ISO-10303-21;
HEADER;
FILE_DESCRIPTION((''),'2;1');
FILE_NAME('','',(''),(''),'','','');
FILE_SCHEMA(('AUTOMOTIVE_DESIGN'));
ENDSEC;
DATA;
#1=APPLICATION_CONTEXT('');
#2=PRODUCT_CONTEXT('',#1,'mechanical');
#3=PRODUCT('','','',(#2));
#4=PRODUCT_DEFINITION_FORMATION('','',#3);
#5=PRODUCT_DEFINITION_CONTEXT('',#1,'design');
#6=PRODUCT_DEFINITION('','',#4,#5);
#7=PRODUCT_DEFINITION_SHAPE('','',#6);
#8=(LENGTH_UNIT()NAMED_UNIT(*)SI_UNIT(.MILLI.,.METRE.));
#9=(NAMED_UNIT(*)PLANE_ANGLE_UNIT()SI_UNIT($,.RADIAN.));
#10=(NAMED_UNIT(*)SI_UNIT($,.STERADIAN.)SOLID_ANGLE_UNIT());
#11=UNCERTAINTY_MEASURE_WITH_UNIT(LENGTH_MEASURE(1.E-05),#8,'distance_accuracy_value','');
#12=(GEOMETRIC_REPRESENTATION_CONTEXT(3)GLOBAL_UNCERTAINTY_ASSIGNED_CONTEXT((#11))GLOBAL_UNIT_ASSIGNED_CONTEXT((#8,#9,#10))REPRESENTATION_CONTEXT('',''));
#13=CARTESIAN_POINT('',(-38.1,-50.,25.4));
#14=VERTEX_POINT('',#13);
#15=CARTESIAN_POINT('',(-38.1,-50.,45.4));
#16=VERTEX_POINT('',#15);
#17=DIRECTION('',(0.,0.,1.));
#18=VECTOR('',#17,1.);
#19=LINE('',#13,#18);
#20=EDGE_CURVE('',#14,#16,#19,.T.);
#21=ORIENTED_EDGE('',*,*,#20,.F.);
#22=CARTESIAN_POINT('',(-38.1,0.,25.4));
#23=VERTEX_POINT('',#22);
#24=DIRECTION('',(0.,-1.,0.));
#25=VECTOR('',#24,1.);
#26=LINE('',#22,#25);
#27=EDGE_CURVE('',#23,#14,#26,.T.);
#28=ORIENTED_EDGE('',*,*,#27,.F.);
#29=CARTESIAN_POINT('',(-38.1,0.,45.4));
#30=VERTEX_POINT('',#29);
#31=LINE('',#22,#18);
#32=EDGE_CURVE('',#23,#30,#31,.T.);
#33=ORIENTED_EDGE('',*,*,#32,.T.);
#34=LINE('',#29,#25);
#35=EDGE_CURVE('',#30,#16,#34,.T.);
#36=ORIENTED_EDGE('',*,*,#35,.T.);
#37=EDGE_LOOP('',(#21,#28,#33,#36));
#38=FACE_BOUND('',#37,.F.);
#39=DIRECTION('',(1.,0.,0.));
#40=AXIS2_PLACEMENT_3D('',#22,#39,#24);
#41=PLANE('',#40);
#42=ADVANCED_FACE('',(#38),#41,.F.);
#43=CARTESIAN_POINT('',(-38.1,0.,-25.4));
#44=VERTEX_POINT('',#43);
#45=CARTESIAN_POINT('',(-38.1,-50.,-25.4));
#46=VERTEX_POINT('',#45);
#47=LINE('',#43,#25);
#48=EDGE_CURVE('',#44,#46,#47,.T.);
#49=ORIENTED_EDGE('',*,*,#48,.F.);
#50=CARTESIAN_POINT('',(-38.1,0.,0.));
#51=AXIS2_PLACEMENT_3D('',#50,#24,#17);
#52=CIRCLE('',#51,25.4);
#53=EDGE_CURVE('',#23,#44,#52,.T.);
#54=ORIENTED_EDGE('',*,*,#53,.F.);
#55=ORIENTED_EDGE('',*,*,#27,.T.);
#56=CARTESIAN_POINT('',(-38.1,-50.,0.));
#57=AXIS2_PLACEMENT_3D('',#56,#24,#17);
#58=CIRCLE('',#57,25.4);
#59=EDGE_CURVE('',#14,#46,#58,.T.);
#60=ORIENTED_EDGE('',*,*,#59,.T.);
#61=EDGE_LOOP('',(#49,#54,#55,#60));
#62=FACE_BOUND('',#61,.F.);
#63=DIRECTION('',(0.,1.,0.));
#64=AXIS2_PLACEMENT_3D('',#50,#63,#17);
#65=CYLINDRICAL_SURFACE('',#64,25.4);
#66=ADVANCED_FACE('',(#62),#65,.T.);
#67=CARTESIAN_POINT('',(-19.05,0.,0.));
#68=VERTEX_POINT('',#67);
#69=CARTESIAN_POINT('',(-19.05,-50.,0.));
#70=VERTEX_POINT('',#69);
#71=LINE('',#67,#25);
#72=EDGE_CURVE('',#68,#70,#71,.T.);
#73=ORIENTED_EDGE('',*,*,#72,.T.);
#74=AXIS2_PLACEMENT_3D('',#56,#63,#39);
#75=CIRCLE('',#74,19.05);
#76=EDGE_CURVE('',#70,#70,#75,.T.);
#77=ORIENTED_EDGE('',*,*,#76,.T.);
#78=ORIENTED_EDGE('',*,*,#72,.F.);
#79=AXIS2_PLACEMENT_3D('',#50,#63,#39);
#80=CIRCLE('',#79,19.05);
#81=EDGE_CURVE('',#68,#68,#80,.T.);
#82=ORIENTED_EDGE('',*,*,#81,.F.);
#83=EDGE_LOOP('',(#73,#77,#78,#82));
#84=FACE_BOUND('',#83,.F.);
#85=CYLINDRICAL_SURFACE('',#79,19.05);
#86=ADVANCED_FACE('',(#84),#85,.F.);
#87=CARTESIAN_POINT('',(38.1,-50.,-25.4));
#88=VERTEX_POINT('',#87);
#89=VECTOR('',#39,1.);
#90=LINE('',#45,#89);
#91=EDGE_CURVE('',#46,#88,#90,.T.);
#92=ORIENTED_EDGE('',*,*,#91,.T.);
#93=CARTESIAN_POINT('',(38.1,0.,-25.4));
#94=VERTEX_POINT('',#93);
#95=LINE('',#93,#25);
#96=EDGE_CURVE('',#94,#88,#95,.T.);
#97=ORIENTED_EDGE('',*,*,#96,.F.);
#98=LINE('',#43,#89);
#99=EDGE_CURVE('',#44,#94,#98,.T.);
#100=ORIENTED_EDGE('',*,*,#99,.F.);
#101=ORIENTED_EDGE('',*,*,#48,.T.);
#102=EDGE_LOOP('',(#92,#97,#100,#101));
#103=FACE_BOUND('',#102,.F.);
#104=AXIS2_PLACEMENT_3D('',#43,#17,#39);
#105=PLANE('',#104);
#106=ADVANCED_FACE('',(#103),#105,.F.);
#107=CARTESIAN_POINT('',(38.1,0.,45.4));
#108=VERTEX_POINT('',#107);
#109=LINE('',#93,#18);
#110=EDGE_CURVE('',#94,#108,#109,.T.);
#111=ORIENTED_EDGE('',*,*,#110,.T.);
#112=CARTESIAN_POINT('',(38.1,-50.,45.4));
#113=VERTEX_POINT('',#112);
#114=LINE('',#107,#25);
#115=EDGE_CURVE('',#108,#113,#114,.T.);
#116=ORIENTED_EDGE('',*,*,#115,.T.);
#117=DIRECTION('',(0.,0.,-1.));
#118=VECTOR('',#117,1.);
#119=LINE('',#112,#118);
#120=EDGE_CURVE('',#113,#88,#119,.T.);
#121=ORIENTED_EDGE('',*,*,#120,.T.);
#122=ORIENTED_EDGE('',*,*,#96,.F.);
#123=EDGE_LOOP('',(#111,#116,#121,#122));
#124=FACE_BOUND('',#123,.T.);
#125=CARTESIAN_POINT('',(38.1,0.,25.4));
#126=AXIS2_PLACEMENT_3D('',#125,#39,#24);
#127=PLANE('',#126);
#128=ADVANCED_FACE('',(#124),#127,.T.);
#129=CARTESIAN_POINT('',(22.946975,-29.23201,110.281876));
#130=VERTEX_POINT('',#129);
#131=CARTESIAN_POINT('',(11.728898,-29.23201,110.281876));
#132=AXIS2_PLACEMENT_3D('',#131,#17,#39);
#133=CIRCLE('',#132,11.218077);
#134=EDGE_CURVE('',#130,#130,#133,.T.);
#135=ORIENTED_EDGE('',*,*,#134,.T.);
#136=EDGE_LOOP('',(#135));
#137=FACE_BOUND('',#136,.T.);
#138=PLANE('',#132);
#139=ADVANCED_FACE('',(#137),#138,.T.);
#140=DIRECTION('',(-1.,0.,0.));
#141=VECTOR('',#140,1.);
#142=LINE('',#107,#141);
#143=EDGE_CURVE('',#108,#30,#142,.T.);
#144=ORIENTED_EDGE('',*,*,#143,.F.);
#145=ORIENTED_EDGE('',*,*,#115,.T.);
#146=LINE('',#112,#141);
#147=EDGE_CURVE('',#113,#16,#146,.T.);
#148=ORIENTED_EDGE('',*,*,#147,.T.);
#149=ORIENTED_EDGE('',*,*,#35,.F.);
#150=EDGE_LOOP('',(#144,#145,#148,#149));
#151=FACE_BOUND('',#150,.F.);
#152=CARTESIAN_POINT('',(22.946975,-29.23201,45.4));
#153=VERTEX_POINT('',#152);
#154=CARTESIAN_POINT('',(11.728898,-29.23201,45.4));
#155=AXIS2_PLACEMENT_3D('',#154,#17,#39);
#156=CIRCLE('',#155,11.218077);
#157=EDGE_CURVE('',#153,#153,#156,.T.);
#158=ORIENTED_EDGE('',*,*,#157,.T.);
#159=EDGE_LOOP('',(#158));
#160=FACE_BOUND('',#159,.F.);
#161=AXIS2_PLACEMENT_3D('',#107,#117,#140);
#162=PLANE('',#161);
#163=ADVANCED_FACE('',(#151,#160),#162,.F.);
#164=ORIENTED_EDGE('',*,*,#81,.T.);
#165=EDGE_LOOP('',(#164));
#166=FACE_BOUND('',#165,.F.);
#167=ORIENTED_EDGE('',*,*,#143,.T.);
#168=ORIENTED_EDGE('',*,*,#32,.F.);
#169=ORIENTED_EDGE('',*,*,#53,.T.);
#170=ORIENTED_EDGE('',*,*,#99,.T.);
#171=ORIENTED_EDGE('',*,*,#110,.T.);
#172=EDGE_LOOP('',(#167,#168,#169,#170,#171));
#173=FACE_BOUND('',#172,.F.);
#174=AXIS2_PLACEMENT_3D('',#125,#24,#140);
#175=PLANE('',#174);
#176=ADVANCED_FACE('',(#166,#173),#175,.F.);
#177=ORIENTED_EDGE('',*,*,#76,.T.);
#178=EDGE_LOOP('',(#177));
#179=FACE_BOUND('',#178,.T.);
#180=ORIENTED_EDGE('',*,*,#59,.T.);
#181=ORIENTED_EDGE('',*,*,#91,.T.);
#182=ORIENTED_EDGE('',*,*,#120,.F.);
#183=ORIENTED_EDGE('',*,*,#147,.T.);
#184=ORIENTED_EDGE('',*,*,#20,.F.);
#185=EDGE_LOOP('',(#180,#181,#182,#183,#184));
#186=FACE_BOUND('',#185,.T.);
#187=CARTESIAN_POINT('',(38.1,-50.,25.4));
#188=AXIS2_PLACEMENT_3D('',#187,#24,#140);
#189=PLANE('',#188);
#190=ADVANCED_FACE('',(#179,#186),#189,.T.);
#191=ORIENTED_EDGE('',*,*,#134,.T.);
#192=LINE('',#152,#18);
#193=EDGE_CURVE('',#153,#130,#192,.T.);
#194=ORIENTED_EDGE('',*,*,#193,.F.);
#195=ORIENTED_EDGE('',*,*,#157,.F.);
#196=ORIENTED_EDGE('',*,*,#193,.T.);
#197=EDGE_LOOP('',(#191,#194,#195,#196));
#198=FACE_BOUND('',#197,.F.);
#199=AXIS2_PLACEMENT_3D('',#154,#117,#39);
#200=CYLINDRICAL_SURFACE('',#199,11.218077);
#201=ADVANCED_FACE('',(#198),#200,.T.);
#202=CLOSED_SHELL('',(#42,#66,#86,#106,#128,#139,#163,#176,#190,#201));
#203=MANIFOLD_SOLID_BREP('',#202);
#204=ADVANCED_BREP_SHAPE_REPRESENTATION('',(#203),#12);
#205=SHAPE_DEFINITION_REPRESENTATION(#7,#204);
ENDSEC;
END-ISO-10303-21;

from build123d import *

# Parameters (mm, degrees)
F1_DEPTH = 50
F2_DEPTH = 20
F3_R     = 11.2180769553
F4_DEPTH = 64.881876111


with BuildPart() as f1:
    # F0 (on Front) → F1 (new body)
    with BuildSketch(Plane.XZ):
        with BuildLine():
            Line((-38.1, -25.4), (38.1, -25.4))
            Line((38.1, -25.4), (38.1, 25.4))
            Line((38.1, 25.4), (-38.1, 25.4))
            ThreePointArc((-38.1, 25.4), (-20.1394877579, 17.9605122421), (-12.7, 0))
            ThreePointArc((-12.7, 0), (-20.1394877579, -17.9605122421), (-38.1, -25.4))
        make_face()
        with BuildLine():
            ThreePointArc((-38.1, 25.4), (-63.5, 0), (-38.1, -25.4))
            Line((-38.1, -25.4), (-38.1, -19.05))
            ThreePointArc((-38.1, -19.05), (-57.15, 0), (-38.1, 19.05))
            Line((-38.1, 19.05), (-38.1, 25.4))
        make_face()
        with BuildLine():
            Line((-38.1, -19.05), (-38.1, -25.4))
            ThreePointArc((-38.1, -25.4), (-20.1394877579, -17.9605122421), (-12.7, 0))
            ThreePointArc((-12.7, 0), (-20.1394877579, 17.9605122421), (-38.1, 25.4))
            Line((-38.1, 25.4), (-38.1, 19.05))
            ThreePointArc((-38.1, 19.05), (-24.6296158184, 13.4703841816), (-19.05, 0))
            ThreePointArc((-19.05, 0), (-24.6296158184, -13.4703841816), (-38.1, -19.05))
        make_face()
    extrude(amount=F1_DEPTH)

    # F2 (add): a face of the model
    f2_faces = [f1.faces().sort_by_distance(p)[0] for p in [
        (0, -25, 25.4),
    ]]
    extrude(f2_faces, amount=F2_DEPTH)

    # F3 (on face) → F4 (join)
    with BuildSketch(Plane.XY.offset(45.4)):
        with Locations((11.7288976908, -29.2320102453)):
            Circle(F3_R)
    extrude(amount=F4_DEPTH)


solid = f1.part
